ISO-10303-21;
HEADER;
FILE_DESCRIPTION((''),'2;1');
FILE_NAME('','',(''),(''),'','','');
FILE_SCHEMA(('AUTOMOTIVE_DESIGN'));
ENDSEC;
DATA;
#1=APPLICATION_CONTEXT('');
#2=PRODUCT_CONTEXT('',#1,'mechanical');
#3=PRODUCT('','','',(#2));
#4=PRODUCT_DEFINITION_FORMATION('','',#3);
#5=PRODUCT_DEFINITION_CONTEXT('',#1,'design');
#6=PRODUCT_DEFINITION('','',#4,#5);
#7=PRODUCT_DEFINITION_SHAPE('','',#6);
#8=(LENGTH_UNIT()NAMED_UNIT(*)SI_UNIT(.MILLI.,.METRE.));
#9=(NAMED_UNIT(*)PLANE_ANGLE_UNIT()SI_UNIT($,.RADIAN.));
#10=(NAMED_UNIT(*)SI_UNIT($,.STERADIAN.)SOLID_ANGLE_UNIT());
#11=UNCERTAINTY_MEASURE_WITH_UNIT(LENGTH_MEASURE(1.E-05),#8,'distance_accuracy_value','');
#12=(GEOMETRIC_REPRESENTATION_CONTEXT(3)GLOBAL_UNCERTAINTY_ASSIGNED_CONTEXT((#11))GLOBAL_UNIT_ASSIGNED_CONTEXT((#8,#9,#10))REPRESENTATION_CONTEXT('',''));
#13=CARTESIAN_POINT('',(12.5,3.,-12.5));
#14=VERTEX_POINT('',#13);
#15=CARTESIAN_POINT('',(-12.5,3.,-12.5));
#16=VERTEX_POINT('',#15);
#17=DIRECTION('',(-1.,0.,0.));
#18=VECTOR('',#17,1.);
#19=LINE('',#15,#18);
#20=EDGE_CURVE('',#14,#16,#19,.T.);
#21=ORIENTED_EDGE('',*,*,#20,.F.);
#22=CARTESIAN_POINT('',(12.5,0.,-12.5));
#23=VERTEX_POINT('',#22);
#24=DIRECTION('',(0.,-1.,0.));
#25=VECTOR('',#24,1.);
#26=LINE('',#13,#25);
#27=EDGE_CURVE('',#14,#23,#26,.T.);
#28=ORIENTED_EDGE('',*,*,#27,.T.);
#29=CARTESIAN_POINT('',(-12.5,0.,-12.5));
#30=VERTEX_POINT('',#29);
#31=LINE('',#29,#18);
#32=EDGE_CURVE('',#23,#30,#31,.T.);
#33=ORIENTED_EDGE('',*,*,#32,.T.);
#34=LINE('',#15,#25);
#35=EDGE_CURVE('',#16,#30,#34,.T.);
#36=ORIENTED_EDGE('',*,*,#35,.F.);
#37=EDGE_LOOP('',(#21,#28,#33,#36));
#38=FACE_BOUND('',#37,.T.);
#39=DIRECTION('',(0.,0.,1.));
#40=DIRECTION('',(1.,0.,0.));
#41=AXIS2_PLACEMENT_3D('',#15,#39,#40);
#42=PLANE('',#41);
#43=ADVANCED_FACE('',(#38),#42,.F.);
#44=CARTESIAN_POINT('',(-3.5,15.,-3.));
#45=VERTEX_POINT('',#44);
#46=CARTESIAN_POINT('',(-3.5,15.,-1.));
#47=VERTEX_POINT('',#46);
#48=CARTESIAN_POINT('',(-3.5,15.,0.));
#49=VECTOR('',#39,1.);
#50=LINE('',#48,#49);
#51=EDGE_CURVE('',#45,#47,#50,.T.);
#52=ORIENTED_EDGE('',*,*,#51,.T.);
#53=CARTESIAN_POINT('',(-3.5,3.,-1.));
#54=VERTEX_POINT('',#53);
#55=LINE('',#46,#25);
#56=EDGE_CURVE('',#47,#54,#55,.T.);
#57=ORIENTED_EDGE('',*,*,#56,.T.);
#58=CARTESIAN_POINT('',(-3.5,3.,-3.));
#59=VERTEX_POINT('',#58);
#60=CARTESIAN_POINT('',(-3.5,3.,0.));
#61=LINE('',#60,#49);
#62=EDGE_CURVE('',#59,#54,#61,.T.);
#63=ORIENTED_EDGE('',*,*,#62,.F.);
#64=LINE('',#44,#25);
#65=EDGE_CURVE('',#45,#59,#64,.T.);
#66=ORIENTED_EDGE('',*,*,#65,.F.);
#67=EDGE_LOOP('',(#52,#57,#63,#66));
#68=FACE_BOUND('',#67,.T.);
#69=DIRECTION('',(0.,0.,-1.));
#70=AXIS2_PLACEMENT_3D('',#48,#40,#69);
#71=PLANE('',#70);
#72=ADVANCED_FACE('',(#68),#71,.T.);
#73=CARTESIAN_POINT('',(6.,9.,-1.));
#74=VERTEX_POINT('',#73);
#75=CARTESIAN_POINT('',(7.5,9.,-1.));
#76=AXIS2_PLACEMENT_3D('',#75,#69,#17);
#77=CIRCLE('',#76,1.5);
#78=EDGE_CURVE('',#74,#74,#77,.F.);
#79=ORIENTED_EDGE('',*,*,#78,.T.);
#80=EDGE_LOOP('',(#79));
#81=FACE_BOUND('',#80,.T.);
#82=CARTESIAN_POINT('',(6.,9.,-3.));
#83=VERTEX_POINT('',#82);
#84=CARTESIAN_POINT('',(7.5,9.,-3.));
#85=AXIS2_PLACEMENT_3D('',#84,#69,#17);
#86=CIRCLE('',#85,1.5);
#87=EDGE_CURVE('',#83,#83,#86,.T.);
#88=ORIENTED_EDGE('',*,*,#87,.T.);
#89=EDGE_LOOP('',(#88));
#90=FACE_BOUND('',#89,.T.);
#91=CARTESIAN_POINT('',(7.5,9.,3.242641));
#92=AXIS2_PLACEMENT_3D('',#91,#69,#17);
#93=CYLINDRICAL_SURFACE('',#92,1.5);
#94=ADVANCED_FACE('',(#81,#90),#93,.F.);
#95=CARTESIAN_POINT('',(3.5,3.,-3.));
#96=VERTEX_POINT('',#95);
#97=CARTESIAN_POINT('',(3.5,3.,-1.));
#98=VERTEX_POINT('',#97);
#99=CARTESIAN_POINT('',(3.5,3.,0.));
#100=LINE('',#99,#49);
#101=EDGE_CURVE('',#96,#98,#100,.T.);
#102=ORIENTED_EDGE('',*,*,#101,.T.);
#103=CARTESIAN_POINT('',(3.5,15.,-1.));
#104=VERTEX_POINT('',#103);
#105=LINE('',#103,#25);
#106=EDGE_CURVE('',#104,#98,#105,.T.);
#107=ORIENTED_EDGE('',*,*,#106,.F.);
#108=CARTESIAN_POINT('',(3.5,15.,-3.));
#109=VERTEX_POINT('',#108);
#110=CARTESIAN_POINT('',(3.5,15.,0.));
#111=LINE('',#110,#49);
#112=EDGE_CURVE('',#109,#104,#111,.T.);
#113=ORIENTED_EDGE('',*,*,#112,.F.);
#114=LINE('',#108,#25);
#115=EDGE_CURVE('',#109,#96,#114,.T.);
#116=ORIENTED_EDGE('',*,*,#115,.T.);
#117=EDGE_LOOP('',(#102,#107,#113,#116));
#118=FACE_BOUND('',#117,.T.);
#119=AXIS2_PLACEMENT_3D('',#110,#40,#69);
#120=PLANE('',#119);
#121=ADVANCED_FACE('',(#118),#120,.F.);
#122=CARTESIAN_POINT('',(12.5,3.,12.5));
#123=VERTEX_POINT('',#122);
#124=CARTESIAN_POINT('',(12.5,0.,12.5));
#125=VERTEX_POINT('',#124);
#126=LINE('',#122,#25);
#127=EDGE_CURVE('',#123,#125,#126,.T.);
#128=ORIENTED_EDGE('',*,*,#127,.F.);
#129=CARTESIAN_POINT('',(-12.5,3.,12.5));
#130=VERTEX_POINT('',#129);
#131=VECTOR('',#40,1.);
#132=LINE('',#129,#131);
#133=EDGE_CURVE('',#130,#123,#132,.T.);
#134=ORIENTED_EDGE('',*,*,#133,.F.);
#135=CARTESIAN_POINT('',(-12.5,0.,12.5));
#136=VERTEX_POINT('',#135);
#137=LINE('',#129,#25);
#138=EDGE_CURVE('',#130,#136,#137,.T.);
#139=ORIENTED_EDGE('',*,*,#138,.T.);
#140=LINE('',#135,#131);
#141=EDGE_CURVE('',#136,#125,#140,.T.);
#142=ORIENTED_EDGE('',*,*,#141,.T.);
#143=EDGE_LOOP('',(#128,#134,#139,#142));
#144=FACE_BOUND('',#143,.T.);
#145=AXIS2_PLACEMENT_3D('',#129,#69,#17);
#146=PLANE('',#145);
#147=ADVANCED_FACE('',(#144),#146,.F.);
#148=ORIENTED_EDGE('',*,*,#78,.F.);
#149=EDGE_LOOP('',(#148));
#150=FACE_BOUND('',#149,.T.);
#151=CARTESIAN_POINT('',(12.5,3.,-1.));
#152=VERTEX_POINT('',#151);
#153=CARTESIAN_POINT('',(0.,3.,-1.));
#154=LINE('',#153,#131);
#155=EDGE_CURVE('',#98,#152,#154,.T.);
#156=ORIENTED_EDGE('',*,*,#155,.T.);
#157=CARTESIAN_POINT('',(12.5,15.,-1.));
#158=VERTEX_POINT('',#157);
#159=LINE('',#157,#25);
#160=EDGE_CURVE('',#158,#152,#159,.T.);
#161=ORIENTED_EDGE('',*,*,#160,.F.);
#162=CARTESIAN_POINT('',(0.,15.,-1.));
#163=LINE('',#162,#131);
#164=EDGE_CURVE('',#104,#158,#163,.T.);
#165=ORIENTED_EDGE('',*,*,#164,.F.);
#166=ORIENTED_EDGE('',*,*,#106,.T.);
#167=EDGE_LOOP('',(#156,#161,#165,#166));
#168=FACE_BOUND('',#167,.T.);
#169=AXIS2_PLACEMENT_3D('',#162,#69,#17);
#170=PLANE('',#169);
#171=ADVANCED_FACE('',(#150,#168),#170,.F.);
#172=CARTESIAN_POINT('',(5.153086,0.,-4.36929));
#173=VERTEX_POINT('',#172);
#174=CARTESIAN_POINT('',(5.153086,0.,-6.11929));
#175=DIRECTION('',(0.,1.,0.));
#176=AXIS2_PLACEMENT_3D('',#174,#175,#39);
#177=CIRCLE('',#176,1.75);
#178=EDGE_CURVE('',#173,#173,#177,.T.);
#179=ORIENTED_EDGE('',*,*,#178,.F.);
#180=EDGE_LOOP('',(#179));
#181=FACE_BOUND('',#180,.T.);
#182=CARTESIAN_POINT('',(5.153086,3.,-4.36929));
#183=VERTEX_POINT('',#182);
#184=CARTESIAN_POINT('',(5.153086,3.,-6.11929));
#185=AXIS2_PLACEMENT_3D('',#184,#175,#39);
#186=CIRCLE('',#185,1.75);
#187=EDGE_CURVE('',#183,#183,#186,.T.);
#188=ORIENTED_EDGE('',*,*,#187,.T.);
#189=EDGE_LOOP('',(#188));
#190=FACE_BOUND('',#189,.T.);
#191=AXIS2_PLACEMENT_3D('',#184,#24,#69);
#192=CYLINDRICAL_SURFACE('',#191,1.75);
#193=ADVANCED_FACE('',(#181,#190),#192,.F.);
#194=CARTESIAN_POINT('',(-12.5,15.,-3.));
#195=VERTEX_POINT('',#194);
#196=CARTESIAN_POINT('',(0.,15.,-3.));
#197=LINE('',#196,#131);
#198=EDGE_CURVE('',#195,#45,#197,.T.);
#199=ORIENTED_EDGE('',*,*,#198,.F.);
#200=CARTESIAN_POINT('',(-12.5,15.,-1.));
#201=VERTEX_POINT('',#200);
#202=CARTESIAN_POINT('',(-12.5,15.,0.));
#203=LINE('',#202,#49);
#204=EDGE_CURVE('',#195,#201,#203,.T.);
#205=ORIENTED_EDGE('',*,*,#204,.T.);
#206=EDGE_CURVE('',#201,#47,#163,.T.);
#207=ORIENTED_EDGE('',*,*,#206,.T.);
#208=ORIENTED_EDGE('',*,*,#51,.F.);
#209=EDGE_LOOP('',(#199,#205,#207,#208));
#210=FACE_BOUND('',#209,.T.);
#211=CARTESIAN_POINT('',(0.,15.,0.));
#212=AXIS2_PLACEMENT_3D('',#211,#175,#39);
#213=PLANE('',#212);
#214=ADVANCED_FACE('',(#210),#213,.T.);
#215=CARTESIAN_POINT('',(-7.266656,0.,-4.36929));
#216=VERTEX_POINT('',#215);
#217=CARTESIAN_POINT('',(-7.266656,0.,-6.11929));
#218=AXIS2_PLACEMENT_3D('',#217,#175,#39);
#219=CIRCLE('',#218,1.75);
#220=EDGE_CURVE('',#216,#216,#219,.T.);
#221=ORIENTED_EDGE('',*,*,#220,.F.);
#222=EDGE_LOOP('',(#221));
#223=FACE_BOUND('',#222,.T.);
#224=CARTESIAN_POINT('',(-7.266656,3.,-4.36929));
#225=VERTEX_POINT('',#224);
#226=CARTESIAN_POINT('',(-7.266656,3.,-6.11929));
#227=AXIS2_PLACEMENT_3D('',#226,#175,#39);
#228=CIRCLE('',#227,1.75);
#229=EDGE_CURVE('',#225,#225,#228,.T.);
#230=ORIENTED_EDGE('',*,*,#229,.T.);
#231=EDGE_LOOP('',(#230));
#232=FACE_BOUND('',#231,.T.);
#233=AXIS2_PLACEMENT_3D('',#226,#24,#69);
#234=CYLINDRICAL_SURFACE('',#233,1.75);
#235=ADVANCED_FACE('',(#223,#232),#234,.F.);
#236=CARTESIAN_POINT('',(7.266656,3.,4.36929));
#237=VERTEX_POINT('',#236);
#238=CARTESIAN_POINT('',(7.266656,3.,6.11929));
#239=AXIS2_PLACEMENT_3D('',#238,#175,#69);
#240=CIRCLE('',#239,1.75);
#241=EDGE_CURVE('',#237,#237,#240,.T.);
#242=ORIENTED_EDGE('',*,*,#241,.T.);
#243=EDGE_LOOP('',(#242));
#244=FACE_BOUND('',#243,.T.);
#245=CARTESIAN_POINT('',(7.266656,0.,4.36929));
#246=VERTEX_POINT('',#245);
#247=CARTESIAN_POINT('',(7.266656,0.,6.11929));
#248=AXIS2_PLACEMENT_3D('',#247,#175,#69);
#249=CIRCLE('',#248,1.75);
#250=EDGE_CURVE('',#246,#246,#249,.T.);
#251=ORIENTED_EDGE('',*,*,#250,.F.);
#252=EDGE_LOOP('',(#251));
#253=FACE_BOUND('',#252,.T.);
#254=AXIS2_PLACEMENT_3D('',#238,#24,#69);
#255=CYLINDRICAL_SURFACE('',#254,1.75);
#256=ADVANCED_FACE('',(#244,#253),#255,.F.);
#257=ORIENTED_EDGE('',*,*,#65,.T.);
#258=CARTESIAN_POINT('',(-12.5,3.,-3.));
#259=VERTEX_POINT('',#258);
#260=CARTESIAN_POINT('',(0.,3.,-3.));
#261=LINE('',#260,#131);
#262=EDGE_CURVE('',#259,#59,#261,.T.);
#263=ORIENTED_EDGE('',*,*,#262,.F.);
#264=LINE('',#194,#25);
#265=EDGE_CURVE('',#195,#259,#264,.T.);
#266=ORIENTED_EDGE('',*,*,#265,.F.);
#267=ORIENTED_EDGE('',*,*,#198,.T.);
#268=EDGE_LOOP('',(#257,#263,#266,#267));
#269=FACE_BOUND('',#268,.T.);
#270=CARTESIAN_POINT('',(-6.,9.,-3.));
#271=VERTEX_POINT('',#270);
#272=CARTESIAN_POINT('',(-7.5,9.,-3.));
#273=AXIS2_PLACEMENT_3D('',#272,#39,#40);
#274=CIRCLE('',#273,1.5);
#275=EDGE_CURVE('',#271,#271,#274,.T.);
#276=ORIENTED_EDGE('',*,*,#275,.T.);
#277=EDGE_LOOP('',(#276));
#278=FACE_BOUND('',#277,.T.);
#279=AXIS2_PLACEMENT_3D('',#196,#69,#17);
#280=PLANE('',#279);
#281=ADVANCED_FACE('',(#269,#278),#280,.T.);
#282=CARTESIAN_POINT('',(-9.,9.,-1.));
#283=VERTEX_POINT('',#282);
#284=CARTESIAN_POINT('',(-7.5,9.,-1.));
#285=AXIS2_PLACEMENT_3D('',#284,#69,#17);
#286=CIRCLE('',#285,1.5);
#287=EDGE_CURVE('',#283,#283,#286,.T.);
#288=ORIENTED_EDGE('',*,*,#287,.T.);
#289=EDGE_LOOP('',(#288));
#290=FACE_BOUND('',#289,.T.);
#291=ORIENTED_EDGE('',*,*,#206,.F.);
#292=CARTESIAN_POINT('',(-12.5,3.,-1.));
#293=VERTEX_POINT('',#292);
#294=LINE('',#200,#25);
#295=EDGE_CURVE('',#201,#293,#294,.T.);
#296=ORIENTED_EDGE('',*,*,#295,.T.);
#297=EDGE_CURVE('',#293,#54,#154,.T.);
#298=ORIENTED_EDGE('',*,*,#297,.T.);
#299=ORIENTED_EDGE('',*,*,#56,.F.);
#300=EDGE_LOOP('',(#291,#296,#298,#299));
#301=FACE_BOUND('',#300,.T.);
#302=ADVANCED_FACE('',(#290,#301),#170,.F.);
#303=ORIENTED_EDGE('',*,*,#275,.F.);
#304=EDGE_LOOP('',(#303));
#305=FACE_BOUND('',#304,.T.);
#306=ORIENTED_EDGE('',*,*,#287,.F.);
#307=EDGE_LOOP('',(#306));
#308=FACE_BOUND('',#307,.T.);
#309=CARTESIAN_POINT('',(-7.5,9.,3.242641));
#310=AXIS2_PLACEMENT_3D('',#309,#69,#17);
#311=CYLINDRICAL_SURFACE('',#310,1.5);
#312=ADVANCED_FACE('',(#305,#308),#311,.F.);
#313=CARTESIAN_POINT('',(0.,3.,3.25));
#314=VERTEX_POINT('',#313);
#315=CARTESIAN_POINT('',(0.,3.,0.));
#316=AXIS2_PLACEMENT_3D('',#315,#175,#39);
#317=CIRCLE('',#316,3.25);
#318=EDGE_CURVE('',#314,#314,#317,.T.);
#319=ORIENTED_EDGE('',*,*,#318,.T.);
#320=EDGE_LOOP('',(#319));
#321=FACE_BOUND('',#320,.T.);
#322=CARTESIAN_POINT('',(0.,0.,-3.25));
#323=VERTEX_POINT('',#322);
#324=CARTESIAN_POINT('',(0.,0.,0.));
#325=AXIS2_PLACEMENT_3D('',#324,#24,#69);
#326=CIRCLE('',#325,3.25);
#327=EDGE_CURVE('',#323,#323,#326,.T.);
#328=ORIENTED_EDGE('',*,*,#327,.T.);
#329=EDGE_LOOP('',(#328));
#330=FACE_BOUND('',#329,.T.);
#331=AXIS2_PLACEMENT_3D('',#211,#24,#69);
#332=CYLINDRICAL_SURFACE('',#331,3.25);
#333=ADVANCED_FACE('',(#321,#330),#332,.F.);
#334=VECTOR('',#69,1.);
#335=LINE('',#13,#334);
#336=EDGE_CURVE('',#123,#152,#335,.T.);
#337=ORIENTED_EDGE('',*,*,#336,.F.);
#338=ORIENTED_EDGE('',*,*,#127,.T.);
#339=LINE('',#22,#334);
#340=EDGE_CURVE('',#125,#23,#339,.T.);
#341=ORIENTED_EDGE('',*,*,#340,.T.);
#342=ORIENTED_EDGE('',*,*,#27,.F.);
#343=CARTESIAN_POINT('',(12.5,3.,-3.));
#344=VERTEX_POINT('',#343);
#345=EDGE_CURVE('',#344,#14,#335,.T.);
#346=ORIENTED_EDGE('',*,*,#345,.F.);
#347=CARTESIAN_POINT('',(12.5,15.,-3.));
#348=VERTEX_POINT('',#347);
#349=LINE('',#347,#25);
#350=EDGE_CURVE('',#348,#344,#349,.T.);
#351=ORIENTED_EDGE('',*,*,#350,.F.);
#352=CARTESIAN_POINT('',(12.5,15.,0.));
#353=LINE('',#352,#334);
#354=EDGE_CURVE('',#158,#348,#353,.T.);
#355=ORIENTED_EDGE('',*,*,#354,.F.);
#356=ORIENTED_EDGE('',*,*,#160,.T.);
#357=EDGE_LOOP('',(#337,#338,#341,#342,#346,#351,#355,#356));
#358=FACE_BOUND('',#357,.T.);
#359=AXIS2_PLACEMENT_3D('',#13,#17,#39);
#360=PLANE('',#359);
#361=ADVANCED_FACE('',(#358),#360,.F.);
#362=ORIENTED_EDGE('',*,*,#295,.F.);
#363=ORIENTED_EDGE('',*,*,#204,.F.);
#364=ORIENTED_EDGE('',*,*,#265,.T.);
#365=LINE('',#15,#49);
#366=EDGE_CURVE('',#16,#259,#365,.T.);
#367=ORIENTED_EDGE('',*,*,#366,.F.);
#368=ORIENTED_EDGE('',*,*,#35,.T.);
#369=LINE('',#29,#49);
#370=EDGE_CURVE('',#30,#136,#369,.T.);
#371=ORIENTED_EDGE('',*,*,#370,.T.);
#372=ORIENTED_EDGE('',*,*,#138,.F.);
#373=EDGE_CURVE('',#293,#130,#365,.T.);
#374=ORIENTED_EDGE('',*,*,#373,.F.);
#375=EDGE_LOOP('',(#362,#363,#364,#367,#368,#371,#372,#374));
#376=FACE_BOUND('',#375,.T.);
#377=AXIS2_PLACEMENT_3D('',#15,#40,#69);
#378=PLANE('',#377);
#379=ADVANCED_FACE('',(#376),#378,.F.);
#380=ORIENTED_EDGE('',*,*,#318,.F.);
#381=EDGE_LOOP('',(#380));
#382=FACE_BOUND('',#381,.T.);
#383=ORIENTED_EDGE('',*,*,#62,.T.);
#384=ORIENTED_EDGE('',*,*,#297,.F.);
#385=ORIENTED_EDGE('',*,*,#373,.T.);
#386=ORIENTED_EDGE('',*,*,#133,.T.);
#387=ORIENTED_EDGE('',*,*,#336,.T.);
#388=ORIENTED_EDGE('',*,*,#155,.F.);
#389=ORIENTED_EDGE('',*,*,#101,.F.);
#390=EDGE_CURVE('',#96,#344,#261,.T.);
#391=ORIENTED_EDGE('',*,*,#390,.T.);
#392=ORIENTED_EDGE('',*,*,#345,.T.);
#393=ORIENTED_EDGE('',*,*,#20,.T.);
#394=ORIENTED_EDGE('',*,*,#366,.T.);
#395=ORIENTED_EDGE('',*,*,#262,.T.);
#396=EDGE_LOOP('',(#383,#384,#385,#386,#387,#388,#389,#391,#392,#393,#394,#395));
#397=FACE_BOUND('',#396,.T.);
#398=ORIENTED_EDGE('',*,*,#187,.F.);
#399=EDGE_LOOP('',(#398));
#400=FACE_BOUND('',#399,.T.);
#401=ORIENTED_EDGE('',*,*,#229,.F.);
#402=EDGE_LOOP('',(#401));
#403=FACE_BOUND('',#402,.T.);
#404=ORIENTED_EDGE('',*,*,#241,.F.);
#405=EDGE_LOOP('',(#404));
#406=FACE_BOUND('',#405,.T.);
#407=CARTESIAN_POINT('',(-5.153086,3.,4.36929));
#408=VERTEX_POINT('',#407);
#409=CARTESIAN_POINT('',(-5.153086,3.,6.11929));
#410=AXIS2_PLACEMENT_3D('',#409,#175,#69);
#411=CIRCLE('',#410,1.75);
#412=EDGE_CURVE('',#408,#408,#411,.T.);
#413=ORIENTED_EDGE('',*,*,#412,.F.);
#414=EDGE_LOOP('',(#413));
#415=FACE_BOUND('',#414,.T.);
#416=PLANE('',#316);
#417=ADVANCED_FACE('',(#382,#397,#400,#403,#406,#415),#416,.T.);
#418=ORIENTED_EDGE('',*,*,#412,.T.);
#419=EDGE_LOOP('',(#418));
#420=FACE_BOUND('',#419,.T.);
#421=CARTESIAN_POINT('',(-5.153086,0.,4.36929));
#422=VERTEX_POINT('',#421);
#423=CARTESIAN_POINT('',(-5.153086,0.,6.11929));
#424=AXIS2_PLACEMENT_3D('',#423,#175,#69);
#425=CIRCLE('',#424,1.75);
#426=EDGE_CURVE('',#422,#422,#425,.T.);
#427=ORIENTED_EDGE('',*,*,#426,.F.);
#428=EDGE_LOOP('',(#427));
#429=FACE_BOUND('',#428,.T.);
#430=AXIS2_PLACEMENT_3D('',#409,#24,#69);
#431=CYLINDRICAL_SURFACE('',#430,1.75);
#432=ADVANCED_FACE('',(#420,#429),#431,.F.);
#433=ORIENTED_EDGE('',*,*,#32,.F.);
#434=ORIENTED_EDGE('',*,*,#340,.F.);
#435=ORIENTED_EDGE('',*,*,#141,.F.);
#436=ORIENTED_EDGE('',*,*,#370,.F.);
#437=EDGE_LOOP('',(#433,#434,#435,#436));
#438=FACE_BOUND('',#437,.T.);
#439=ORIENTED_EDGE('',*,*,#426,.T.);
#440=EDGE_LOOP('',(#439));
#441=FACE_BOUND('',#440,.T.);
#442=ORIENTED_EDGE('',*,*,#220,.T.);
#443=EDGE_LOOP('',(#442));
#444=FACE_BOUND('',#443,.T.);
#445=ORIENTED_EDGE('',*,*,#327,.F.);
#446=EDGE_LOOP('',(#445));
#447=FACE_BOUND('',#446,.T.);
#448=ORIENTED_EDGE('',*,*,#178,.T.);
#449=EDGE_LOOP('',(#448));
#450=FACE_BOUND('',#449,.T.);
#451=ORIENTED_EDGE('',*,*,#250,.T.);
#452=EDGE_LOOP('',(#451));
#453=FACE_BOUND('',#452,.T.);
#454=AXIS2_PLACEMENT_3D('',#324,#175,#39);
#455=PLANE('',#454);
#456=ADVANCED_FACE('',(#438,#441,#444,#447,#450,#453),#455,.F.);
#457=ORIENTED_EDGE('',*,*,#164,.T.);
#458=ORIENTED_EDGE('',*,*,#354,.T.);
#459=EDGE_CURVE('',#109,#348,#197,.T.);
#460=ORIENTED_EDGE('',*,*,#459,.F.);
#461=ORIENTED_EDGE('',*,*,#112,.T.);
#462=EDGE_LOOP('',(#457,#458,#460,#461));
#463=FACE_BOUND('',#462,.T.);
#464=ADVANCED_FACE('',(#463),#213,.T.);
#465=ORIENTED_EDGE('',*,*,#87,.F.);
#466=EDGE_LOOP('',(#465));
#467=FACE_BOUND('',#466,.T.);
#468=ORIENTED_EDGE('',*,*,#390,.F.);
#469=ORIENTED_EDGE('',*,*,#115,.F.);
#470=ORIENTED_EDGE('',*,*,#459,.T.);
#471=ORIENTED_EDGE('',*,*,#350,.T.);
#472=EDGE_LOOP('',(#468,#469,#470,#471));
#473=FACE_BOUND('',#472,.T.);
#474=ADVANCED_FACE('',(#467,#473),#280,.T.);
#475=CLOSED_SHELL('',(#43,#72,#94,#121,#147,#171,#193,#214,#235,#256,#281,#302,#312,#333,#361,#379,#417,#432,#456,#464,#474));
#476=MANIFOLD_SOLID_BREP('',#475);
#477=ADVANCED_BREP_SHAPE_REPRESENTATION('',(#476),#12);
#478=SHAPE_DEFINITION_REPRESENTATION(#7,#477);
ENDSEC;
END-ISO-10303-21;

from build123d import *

# Parameters (mm, degrees)
SKETCH4_W           = 25
SKETCH4_H           = 25
BOSS_EXTRUDE2_DEPTH = 3
SKETCH1_R           = 1.75
CUT_EXTRUDE3_DEPTH  = 18.930421077
SKETCH5_W           = 9
SKETCH5_H           = 2
BOSS_EXTRUDE3_DEPTH = 12
SKETCH6_R           = 3.25
CUT_EXTRUDE4_DEPTH  = 24.184046239
SKETCH7_R           = 1.5
CUT_EXTRUDE5_DEPTH  = 2


with BuildPart() as part:
    # Sketch4 → Boss-Extrude2 (new body)
    with BuildSketch(Plane(origin=(0, 0, 0), x_dir=(1, 0, 0), z_dir=(0, 1, 0))):
        Rectangle(SKETCH4_W, SKETCH4_H)
    extrude(amount=BOSS_EXTRUDE2_DEPTH)

    # Sketch1 → Cut-Extrude3 (cut, through all)
    with BuildSketch(Plane(origin=(0, 0, 0), x_dir=(1, 0, 0), z_dir=(0, 1, 0))):
        with Locations(Location((-7.266656382, 6.119289585, 0), (0, 0, 270))):
            Circle(SKETCH1_R)
        with Locations(Location((5.153085966, 6.119289585, 0), (0, 0, 270))):
            Circle(SKETCH1_R)
        with Locations(Location((-5.153085966, -6.119289585, 0), (0, 0, 90))):
            Circle(SKETCH1_R)
        with Locations(Location((7.266656382, -6.119289585, 0), (0, 0, 90))):
            Circle(SKETCH1_R)
    extrude(amount=CUT_EXTRUDE3_DEPTH, mode=Mode.SUBTRACT)

    # Sketch5 → Boss-Extrude3 (add)
    with BuildSketch(Plane(origin=(0, 3, 0), x_dir=(1, 0, 0), z_dir=(0, 1, 0))):
        with Locations((8, 2)):
            Rectangle(SKETCH5_W, SKETCH5_H)
        with Locations((-8, 2)):
            Rectangle(SKETCH5_W, SKETCH5_H)
    extrude(amount=BOSS_EXTRUDE3_DEPTH)

    # Sketch6 → Cut-Extrude4 (cut, through all)
    with BuildSketch(Plane.XZ):
        with Locations(Location((0, 0, 0), (0, 0, 270))):
            Circle(SKETCH6_R)
    extrude(amount=-CUT_EXTRUDE4_DEPTH, mode=Mode.SUBTRACT)

    # Sketch7 → Cut-Extrude5 (cut)
    with BuildSketch(Plane(origin=(0, 0, -3), x_dir=(-1, 0, 0), z_dir=(0, 0, -1))):
        with Locations((-7.5, 9)):
            Circle(SKETCH7_R)
        with Locations((7.5, 9)):
            Circle(SKETCH7_R)
    extrude(amount=-CUT_EXTRUDE5_DEPTH, mode=Mode.SUBTRACT)


solid = part.part
